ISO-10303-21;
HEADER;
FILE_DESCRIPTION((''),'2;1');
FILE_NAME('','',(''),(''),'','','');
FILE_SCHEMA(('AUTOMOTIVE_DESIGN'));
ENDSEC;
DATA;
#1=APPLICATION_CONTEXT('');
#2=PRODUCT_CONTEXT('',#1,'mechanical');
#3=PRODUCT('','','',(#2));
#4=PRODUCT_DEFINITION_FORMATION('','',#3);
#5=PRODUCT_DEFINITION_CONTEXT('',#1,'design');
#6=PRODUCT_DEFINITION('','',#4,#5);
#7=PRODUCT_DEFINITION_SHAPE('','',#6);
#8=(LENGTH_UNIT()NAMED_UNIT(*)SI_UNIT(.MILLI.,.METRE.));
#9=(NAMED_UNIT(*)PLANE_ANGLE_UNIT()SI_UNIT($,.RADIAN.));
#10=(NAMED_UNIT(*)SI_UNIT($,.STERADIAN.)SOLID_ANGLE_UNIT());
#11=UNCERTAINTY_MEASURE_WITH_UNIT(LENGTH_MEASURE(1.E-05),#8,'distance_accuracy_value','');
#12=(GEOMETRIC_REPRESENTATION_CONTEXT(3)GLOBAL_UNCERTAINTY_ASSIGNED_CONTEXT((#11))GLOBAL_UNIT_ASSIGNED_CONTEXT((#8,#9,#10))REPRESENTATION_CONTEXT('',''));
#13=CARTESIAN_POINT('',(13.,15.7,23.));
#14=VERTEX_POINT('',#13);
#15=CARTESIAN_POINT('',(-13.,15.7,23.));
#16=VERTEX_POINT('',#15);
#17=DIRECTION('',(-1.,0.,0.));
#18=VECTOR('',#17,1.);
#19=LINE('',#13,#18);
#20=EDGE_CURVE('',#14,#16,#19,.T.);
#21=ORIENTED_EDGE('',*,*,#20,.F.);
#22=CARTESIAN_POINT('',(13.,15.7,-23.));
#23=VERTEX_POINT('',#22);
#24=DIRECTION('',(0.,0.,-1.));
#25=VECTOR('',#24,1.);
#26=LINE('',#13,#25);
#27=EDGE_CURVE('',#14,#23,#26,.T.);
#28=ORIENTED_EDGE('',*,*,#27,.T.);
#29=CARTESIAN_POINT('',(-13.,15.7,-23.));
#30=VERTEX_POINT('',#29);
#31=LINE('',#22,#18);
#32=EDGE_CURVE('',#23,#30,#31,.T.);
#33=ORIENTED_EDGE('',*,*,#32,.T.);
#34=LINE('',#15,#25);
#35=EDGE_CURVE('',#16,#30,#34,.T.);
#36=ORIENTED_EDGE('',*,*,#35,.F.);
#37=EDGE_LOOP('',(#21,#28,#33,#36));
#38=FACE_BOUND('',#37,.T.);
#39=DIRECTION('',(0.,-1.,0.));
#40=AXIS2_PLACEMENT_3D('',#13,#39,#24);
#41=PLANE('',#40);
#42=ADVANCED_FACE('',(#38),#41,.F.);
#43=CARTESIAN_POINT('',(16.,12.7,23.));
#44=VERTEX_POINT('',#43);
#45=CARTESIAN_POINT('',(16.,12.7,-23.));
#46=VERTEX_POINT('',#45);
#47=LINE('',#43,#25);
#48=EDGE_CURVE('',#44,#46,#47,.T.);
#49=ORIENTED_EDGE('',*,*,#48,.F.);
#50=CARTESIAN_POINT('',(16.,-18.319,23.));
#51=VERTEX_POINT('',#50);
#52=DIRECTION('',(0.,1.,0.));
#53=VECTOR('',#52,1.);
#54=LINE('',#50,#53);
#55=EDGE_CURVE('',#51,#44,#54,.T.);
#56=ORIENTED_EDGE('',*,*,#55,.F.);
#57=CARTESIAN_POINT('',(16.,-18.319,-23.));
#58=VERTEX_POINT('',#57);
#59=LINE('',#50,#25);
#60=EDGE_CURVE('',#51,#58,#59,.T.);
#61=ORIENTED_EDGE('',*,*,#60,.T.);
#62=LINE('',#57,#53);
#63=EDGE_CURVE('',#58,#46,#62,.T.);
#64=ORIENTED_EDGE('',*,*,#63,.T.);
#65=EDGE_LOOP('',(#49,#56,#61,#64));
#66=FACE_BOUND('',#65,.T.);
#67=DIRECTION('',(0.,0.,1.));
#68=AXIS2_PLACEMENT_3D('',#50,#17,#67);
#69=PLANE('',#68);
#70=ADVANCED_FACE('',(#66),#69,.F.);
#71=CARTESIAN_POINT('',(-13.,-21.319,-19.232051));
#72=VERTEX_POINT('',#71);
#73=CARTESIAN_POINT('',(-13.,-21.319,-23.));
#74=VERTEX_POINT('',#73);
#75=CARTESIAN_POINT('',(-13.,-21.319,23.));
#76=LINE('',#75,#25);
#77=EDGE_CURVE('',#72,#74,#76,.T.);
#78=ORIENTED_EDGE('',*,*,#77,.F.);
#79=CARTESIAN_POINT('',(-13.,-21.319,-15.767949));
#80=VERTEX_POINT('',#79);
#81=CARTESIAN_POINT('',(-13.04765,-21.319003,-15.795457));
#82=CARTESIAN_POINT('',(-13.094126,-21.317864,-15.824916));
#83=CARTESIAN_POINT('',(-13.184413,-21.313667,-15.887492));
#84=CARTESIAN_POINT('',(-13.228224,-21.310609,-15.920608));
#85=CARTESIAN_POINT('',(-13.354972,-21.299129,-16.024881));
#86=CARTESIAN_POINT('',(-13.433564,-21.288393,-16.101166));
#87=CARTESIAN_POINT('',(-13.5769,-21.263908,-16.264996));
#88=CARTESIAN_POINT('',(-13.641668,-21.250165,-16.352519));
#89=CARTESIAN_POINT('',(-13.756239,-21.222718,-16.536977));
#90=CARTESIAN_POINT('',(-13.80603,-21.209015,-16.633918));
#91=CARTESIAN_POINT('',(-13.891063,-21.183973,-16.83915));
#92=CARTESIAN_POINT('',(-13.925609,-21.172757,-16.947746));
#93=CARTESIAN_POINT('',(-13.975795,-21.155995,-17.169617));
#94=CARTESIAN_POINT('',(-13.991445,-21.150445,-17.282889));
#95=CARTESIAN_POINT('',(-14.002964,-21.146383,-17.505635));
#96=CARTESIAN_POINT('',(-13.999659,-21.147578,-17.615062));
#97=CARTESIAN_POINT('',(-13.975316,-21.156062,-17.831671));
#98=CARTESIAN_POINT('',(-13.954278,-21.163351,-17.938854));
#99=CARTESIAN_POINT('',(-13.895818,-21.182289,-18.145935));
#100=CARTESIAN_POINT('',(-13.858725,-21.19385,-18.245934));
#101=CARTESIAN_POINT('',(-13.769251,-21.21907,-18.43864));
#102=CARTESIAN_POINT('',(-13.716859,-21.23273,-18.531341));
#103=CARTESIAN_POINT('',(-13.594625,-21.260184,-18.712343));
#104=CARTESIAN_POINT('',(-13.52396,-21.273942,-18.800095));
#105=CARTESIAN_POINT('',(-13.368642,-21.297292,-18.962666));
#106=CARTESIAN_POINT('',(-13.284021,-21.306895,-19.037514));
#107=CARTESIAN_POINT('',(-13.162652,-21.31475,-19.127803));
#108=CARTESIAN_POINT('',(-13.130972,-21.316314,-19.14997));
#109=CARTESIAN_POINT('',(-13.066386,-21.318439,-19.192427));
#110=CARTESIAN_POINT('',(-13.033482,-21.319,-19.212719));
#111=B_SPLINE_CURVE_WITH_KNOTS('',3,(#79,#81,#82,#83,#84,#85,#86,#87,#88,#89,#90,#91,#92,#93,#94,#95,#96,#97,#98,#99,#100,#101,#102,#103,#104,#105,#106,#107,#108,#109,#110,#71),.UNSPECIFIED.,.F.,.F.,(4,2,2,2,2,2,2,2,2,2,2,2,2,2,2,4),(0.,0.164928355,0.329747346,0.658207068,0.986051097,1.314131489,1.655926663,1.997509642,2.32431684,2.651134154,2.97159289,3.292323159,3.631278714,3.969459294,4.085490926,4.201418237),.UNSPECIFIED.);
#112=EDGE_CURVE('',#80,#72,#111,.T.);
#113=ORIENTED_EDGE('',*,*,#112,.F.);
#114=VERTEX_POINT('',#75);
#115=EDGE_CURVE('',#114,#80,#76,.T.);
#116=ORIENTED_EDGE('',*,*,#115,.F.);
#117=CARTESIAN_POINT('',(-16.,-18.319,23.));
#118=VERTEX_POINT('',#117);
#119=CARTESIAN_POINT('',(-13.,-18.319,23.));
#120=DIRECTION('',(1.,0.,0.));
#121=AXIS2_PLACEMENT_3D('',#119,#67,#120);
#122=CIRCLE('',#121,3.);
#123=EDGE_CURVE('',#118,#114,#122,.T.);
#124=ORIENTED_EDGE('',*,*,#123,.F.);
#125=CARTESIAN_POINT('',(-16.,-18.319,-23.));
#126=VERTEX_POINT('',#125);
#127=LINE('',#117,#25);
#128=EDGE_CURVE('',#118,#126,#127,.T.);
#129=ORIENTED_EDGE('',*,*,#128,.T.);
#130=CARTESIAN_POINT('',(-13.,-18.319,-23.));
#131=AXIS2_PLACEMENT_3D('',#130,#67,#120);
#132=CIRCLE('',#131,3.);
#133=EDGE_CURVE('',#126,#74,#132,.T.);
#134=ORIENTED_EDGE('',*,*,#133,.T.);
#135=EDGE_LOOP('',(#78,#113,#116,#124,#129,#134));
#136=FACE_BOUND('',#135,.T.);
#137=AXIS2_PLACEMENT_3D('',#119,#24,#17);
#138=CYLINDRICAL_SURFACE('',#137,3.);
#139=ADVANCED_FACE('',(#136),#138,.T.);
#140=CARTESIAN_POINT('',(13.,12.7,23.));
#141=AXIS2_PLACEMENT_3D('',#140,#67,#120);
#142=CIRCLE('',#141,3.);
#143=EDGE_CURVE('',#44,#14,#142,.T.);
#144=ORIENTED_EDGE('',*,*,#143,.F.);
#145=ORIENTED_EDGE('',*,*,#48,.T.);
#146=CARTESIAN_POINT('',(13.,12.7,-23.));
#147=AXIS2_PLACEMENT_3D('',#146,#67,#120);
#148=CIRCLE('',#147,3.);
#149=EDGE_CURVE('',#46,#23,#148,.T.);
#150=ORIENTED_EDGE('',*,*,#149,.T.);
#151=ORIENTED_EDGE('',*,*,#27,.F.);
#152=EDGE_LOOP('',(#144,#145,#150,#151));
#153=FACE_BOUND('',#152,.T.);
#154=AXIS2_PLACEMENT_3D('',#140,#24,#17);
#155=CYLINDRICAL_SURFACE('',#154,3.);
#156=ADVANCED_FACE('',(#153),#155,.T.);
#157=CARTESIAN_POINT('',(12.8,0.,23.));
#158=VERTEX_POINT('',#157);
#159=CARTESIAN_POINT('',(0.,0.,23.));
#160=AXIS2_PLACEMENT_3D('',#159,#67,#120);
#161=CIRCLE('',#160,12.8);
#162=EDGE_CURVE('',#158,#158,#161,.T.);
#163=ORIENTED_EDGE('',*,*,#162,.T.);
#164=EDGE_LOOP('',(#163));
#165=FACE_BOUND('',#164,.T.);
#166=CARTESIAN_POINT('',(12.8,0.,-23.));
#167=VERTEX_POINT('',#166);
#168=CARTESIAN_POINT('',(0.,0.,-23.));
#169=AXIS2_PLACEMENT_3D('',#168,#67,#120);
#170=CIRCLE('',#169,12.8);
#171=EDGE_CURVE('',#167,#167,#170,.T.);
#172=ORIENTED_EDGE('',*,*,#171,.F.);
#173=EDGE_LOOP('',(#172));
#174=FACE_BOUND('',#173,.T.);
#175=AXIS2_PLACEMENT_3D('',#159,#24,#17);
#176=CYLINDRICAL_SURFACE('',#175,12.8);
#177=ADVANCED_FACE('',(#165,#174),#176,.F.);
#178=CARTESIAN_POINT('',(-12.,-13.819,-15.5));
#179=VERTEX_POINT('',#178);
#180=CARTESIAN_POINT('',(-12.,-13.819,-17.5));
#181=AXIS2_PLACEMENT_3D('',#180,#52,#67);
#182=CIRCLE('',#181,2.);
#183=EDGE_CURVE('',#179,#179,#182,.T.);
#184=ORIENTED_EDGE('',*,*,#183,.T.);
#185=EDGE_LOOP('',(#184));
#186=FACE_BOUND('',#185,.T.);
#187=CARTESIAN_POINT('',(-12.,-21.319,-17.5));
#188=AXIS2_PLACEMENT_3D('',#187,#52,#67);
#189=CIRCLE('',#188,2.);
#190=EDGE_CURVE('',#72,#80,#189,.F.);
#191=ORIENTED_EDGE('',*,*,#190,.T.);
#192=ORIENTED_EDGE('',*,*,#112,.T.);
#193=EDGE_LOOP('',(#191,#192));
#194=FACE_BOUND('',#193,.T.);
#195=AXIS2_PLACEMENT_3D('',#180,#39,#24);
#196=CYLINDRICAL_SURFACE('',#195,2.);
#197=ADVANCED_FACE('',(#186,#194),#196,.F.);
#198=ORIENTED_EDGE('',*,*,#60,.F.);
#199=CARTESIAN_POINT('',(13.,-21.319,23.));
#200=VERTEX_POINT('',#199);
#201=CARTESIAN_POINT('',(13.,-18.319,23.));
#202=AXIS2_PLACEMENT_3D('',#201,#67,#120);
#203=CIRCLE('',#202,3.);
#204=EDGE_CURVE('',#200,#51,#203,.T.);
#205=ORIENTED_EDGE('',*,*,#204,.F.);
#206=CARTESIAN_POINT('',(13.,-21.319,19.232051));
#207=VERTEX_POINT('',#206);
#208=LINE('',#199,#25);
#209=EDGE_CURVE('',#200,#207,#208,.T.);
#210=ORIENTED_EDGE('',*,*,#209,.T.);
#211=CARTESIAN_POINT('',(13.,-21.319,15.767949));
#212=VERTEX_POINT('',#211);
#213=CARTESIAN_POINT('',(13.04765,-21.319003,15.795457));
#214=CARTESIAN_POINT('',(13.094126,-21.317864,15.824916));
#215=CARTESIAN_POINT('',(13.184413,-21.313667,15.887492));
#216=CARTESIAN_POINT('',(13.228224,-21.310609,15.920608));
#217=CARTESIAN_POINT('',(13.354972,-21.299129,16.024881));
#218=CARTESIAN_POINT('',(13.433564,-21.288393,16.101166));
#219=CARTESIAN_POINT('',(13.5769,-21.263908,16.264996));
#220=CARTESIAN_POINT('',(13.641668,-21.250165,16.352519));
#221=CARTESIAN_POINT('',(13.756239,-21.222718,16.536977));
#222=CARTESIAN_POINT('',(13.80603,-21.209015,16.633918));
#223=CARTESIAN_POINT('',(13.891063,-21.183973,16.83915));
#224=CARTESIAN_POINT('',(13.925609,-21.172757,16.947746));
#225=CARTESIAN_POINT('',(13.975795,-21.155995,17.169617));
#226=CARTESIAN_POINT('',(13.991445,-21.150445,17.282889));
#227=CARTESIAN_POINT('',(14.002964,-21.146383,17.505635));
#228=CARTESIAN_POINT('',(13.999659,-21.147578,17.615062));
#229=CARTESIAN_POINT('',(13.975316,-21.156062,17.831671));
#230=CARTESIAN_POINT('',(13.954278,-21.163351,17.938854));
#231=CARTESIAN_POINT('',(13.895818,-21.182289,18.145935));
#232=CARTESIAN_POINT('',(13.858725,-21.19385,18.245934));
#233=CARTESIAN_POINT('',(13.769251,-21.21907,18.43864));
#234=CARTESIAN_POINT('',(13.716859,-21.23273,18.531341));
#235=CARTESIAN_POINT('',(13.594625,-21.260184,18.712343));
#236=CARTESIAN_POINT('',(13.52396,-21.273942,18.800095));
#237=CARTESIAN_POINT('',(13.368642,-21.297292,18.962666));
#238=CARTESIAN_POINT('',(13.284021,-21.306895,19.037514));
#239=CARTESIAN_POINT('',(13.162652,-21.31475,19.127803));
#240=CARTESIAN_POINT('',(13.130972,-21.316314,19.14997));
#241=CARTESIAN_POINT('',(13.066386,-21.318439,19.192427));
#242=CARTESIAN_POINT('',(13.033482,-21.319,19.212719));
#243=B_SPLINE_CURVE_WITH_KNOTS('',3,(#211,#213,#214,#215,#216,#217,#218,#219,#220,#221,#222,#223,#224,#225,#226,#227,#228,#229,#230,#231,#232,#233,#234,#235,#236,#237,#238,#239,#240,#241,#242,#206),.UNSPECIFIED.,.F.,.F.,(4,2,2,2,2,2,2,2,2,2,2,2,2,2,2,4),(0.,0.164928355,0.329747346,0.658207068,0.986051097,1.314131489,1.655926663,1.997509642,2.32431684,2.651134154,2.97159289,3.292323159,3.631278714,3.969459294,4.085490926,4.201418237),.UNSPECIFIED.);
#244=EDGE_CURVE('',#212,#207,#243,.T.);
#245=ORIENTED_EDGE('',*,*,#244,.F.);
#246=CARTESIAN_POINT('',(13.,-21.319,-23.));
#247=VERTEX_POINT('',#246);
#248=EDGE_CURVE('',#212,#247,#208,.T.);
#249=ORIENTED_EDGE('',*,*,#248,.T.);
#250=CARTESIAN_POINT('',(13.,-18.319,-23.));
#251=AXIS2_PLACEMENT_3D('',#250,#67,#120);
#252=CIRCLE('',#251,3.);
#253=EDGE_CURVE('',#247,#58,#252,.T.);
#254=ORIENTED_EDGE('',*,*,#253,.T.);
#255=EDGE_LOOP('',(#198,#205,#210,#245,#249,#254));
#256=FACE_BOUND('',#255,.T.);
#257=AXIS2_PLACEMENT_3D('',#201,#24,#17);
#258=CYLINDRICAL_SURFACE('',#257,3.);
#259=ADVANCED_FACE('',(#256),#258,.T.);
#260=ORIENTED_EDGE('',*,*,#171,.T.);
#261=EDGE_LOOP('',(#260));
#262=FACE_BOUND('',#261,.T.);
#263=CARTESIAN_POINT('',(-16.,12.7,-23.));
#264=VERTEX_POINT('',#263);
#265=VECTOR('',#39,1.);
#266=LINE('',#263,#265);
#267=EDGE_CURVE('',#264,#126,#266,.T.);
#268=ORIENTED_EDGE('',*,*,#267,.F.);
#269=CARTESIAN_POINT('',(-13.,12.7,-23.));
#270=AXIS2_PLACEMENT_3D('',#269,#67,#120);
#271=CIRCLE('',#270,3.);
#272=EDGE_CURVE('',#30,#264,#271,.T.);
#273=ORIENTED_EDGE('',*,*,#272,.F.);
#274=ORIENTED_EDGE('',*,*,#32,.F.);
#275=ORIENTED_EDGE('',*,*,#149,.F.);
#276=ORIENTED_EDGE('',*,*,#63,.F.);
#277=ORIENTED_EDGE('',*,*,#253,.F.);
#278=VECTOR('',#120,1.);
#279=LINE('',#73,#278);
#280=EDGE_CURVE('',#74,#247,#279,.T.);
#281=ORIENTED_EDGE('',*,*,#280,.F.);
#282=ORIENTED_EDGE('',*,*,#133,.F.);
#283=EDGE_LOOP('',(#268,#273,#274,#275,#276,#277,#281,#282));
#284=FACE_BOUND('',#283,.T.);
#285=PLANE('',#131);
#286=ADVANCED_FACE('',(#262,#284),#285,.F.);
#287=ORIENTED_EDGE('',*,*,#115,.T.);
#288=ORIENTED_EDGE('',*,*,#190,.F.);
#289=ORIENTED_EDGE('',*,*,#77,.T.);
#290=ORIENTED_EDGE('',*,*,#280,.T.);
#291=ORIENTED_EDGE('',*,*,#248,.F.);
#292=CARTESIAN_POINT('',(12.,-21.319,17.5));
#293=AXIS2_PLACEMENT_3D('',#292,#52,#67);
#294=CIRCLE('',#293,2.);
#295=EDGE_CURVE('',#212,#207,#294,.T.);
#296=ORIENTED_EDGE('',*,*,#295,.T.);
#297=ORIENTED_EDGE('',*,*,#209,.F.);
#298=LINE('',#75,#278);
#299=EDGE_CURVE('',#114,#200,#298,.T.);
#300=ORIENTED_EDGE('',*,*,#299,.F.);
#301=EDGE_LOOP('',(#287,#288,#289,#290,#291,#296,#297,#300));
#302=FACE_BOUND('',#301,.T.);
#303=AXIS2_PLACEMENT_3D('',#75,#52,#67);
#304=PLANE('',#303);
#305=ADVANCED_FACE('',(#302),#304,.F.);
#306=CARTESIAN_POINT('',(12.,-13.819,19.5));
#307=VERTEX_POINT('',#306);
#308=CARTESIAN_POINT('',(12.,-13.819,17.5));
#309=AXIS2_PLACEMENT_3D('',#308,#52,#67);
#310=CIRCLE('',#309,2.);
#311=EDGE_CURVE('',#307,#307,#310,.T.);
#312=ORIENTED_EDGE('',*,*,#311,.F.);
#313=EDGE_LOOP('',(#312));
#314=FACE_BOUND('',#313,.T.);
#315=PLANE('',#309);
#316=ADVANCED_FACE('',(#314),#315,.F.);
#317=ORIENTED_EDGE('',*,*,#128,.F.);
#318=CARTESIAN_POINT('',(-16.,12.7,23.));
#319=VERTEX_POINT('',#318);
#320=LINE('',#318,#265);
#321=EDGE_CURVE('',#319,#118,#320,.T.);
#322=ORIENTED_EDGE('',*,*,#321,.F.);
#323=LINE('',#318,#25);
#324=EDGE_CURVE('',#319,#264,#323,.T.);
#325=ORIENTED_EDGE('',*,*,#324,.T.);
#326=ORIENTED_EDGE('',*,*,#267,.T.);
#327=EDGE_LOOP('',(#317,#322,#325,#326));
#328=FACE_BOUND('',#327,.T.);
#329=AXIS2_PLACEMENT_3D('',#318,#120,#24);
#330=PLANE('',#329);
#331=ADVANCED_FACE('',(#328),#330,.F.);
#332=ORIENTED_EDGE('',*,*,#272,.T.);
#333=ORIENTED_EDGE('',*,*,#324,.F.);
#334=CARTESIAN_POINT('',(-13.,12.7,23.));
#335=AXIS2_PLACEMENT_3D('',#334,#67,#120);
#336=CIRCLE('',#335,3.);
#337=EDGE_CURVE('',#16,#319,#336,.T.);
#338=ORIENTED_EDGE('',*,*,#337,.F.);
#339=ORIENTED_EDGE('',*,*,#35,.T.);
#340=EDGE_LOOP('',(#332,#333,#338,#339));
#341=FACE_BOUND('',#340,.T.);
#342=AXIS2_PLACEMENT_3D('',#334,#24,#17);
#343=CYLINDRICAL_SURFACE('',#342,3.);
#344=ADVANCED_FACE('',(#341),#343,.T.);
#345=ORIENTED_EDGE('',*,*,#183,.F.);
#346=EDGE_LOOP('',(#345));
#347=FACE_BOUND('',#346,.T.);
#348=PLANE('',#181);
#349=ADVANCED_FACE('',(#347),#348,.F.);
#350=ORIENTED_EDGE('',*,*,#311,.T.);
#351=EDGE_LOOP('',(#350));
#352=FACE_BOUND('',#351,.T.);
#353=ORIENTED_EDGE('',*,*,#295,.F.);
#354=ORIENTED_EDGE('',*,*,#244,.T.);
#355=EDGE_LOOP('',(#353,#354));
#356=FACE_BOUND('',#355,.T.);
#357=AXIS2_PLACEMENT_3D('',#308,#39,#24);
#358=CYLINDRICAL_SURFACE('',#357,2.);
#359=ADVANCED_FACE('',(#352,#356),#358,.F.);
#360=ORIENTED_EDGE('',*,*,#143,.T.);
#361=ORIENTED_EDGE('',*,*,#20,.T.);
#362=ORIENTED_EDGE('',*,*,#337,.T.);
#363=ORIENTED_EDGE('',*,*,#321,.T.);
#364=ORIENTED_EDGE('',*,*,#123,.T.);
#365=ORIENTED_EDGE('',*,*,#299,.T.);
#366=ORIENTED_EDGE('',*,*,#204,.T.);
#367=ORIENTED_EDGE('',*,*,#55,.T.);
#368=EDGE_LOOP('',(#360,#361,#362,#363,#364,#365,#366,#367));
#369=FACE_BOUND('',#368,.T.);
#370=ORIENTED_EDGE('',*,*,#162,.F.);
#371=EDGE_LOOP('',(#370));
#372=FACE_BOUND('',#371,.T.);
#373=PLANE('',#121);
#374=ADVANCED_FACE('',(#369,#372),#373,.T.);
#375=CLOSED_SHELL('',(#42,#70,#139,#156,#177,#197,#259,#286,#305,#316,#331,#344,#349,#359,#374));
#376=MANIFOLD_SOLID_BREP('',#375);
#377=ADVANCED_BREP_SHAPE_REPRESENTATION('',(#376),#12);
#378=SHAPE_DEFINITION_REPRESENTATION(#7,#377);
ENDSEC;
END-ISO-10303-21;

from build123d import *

# Parameters (mm, degrees)
SKETCH1_R           = 12.8
BOSS_EXTRUDE1_DEPTH = 23
SKETCH2_R           = 2
CUT_EXTRUDE1_DEPTH  = 7.5


with BuildPart() as part:
    # Sketch1 → Boss-Extrude1 (new, symmetric)
    with BuildSketch(Plane.XY):
        with BuildLine():
            Line((-13, -21.319), (13, -21.319))
            ThreePointArc((13, -21.319), (15.121320344, -20.440320344), (16, -18.319))
            Line((16, -18.319), (16, 12.7))
            ThreePointArc((16, 12.7), (15.121320344, 14.821320344), (13, 15.7))
            Line((13, 15.7), (-13, 15.7))
            ThreePointArc((-13, 15.7), (-15.121320344, 14.821320344), (-16, 12.7))
            Line((-16, 12.7), (-16, -18.319))
            ThreePointArc((-16, -18.319), (-15.121320344, -20.440320344), (-13, -21.319))
        make_face()
        Circle(SKETCH1_R, mode=Mode.SUBTRACT)
    extrude(amount=BOSS_EXTRUDE1_DEPTH, both=True)

    # Sketch2 → Cut-Extrude1 (cut)
    with BuildSketch(Plane(origin=(0, -21.319, 0), x_dir=(1, 0, 0), z_dir=(0, 1, 0))):
        with Locations(Location((12, -17.5, 0), (0, 0, 60))):
            Circle(SKETCH2_R)
        with Locations(Location((-12, 17.5, 0), (0, 0, 120))):
            Circle(SKETCH2_R)
    extrude(amount=CUT_EXTRUDE1_DEPTH, mode=Mode.SUBTRACT)


solid = part.part
